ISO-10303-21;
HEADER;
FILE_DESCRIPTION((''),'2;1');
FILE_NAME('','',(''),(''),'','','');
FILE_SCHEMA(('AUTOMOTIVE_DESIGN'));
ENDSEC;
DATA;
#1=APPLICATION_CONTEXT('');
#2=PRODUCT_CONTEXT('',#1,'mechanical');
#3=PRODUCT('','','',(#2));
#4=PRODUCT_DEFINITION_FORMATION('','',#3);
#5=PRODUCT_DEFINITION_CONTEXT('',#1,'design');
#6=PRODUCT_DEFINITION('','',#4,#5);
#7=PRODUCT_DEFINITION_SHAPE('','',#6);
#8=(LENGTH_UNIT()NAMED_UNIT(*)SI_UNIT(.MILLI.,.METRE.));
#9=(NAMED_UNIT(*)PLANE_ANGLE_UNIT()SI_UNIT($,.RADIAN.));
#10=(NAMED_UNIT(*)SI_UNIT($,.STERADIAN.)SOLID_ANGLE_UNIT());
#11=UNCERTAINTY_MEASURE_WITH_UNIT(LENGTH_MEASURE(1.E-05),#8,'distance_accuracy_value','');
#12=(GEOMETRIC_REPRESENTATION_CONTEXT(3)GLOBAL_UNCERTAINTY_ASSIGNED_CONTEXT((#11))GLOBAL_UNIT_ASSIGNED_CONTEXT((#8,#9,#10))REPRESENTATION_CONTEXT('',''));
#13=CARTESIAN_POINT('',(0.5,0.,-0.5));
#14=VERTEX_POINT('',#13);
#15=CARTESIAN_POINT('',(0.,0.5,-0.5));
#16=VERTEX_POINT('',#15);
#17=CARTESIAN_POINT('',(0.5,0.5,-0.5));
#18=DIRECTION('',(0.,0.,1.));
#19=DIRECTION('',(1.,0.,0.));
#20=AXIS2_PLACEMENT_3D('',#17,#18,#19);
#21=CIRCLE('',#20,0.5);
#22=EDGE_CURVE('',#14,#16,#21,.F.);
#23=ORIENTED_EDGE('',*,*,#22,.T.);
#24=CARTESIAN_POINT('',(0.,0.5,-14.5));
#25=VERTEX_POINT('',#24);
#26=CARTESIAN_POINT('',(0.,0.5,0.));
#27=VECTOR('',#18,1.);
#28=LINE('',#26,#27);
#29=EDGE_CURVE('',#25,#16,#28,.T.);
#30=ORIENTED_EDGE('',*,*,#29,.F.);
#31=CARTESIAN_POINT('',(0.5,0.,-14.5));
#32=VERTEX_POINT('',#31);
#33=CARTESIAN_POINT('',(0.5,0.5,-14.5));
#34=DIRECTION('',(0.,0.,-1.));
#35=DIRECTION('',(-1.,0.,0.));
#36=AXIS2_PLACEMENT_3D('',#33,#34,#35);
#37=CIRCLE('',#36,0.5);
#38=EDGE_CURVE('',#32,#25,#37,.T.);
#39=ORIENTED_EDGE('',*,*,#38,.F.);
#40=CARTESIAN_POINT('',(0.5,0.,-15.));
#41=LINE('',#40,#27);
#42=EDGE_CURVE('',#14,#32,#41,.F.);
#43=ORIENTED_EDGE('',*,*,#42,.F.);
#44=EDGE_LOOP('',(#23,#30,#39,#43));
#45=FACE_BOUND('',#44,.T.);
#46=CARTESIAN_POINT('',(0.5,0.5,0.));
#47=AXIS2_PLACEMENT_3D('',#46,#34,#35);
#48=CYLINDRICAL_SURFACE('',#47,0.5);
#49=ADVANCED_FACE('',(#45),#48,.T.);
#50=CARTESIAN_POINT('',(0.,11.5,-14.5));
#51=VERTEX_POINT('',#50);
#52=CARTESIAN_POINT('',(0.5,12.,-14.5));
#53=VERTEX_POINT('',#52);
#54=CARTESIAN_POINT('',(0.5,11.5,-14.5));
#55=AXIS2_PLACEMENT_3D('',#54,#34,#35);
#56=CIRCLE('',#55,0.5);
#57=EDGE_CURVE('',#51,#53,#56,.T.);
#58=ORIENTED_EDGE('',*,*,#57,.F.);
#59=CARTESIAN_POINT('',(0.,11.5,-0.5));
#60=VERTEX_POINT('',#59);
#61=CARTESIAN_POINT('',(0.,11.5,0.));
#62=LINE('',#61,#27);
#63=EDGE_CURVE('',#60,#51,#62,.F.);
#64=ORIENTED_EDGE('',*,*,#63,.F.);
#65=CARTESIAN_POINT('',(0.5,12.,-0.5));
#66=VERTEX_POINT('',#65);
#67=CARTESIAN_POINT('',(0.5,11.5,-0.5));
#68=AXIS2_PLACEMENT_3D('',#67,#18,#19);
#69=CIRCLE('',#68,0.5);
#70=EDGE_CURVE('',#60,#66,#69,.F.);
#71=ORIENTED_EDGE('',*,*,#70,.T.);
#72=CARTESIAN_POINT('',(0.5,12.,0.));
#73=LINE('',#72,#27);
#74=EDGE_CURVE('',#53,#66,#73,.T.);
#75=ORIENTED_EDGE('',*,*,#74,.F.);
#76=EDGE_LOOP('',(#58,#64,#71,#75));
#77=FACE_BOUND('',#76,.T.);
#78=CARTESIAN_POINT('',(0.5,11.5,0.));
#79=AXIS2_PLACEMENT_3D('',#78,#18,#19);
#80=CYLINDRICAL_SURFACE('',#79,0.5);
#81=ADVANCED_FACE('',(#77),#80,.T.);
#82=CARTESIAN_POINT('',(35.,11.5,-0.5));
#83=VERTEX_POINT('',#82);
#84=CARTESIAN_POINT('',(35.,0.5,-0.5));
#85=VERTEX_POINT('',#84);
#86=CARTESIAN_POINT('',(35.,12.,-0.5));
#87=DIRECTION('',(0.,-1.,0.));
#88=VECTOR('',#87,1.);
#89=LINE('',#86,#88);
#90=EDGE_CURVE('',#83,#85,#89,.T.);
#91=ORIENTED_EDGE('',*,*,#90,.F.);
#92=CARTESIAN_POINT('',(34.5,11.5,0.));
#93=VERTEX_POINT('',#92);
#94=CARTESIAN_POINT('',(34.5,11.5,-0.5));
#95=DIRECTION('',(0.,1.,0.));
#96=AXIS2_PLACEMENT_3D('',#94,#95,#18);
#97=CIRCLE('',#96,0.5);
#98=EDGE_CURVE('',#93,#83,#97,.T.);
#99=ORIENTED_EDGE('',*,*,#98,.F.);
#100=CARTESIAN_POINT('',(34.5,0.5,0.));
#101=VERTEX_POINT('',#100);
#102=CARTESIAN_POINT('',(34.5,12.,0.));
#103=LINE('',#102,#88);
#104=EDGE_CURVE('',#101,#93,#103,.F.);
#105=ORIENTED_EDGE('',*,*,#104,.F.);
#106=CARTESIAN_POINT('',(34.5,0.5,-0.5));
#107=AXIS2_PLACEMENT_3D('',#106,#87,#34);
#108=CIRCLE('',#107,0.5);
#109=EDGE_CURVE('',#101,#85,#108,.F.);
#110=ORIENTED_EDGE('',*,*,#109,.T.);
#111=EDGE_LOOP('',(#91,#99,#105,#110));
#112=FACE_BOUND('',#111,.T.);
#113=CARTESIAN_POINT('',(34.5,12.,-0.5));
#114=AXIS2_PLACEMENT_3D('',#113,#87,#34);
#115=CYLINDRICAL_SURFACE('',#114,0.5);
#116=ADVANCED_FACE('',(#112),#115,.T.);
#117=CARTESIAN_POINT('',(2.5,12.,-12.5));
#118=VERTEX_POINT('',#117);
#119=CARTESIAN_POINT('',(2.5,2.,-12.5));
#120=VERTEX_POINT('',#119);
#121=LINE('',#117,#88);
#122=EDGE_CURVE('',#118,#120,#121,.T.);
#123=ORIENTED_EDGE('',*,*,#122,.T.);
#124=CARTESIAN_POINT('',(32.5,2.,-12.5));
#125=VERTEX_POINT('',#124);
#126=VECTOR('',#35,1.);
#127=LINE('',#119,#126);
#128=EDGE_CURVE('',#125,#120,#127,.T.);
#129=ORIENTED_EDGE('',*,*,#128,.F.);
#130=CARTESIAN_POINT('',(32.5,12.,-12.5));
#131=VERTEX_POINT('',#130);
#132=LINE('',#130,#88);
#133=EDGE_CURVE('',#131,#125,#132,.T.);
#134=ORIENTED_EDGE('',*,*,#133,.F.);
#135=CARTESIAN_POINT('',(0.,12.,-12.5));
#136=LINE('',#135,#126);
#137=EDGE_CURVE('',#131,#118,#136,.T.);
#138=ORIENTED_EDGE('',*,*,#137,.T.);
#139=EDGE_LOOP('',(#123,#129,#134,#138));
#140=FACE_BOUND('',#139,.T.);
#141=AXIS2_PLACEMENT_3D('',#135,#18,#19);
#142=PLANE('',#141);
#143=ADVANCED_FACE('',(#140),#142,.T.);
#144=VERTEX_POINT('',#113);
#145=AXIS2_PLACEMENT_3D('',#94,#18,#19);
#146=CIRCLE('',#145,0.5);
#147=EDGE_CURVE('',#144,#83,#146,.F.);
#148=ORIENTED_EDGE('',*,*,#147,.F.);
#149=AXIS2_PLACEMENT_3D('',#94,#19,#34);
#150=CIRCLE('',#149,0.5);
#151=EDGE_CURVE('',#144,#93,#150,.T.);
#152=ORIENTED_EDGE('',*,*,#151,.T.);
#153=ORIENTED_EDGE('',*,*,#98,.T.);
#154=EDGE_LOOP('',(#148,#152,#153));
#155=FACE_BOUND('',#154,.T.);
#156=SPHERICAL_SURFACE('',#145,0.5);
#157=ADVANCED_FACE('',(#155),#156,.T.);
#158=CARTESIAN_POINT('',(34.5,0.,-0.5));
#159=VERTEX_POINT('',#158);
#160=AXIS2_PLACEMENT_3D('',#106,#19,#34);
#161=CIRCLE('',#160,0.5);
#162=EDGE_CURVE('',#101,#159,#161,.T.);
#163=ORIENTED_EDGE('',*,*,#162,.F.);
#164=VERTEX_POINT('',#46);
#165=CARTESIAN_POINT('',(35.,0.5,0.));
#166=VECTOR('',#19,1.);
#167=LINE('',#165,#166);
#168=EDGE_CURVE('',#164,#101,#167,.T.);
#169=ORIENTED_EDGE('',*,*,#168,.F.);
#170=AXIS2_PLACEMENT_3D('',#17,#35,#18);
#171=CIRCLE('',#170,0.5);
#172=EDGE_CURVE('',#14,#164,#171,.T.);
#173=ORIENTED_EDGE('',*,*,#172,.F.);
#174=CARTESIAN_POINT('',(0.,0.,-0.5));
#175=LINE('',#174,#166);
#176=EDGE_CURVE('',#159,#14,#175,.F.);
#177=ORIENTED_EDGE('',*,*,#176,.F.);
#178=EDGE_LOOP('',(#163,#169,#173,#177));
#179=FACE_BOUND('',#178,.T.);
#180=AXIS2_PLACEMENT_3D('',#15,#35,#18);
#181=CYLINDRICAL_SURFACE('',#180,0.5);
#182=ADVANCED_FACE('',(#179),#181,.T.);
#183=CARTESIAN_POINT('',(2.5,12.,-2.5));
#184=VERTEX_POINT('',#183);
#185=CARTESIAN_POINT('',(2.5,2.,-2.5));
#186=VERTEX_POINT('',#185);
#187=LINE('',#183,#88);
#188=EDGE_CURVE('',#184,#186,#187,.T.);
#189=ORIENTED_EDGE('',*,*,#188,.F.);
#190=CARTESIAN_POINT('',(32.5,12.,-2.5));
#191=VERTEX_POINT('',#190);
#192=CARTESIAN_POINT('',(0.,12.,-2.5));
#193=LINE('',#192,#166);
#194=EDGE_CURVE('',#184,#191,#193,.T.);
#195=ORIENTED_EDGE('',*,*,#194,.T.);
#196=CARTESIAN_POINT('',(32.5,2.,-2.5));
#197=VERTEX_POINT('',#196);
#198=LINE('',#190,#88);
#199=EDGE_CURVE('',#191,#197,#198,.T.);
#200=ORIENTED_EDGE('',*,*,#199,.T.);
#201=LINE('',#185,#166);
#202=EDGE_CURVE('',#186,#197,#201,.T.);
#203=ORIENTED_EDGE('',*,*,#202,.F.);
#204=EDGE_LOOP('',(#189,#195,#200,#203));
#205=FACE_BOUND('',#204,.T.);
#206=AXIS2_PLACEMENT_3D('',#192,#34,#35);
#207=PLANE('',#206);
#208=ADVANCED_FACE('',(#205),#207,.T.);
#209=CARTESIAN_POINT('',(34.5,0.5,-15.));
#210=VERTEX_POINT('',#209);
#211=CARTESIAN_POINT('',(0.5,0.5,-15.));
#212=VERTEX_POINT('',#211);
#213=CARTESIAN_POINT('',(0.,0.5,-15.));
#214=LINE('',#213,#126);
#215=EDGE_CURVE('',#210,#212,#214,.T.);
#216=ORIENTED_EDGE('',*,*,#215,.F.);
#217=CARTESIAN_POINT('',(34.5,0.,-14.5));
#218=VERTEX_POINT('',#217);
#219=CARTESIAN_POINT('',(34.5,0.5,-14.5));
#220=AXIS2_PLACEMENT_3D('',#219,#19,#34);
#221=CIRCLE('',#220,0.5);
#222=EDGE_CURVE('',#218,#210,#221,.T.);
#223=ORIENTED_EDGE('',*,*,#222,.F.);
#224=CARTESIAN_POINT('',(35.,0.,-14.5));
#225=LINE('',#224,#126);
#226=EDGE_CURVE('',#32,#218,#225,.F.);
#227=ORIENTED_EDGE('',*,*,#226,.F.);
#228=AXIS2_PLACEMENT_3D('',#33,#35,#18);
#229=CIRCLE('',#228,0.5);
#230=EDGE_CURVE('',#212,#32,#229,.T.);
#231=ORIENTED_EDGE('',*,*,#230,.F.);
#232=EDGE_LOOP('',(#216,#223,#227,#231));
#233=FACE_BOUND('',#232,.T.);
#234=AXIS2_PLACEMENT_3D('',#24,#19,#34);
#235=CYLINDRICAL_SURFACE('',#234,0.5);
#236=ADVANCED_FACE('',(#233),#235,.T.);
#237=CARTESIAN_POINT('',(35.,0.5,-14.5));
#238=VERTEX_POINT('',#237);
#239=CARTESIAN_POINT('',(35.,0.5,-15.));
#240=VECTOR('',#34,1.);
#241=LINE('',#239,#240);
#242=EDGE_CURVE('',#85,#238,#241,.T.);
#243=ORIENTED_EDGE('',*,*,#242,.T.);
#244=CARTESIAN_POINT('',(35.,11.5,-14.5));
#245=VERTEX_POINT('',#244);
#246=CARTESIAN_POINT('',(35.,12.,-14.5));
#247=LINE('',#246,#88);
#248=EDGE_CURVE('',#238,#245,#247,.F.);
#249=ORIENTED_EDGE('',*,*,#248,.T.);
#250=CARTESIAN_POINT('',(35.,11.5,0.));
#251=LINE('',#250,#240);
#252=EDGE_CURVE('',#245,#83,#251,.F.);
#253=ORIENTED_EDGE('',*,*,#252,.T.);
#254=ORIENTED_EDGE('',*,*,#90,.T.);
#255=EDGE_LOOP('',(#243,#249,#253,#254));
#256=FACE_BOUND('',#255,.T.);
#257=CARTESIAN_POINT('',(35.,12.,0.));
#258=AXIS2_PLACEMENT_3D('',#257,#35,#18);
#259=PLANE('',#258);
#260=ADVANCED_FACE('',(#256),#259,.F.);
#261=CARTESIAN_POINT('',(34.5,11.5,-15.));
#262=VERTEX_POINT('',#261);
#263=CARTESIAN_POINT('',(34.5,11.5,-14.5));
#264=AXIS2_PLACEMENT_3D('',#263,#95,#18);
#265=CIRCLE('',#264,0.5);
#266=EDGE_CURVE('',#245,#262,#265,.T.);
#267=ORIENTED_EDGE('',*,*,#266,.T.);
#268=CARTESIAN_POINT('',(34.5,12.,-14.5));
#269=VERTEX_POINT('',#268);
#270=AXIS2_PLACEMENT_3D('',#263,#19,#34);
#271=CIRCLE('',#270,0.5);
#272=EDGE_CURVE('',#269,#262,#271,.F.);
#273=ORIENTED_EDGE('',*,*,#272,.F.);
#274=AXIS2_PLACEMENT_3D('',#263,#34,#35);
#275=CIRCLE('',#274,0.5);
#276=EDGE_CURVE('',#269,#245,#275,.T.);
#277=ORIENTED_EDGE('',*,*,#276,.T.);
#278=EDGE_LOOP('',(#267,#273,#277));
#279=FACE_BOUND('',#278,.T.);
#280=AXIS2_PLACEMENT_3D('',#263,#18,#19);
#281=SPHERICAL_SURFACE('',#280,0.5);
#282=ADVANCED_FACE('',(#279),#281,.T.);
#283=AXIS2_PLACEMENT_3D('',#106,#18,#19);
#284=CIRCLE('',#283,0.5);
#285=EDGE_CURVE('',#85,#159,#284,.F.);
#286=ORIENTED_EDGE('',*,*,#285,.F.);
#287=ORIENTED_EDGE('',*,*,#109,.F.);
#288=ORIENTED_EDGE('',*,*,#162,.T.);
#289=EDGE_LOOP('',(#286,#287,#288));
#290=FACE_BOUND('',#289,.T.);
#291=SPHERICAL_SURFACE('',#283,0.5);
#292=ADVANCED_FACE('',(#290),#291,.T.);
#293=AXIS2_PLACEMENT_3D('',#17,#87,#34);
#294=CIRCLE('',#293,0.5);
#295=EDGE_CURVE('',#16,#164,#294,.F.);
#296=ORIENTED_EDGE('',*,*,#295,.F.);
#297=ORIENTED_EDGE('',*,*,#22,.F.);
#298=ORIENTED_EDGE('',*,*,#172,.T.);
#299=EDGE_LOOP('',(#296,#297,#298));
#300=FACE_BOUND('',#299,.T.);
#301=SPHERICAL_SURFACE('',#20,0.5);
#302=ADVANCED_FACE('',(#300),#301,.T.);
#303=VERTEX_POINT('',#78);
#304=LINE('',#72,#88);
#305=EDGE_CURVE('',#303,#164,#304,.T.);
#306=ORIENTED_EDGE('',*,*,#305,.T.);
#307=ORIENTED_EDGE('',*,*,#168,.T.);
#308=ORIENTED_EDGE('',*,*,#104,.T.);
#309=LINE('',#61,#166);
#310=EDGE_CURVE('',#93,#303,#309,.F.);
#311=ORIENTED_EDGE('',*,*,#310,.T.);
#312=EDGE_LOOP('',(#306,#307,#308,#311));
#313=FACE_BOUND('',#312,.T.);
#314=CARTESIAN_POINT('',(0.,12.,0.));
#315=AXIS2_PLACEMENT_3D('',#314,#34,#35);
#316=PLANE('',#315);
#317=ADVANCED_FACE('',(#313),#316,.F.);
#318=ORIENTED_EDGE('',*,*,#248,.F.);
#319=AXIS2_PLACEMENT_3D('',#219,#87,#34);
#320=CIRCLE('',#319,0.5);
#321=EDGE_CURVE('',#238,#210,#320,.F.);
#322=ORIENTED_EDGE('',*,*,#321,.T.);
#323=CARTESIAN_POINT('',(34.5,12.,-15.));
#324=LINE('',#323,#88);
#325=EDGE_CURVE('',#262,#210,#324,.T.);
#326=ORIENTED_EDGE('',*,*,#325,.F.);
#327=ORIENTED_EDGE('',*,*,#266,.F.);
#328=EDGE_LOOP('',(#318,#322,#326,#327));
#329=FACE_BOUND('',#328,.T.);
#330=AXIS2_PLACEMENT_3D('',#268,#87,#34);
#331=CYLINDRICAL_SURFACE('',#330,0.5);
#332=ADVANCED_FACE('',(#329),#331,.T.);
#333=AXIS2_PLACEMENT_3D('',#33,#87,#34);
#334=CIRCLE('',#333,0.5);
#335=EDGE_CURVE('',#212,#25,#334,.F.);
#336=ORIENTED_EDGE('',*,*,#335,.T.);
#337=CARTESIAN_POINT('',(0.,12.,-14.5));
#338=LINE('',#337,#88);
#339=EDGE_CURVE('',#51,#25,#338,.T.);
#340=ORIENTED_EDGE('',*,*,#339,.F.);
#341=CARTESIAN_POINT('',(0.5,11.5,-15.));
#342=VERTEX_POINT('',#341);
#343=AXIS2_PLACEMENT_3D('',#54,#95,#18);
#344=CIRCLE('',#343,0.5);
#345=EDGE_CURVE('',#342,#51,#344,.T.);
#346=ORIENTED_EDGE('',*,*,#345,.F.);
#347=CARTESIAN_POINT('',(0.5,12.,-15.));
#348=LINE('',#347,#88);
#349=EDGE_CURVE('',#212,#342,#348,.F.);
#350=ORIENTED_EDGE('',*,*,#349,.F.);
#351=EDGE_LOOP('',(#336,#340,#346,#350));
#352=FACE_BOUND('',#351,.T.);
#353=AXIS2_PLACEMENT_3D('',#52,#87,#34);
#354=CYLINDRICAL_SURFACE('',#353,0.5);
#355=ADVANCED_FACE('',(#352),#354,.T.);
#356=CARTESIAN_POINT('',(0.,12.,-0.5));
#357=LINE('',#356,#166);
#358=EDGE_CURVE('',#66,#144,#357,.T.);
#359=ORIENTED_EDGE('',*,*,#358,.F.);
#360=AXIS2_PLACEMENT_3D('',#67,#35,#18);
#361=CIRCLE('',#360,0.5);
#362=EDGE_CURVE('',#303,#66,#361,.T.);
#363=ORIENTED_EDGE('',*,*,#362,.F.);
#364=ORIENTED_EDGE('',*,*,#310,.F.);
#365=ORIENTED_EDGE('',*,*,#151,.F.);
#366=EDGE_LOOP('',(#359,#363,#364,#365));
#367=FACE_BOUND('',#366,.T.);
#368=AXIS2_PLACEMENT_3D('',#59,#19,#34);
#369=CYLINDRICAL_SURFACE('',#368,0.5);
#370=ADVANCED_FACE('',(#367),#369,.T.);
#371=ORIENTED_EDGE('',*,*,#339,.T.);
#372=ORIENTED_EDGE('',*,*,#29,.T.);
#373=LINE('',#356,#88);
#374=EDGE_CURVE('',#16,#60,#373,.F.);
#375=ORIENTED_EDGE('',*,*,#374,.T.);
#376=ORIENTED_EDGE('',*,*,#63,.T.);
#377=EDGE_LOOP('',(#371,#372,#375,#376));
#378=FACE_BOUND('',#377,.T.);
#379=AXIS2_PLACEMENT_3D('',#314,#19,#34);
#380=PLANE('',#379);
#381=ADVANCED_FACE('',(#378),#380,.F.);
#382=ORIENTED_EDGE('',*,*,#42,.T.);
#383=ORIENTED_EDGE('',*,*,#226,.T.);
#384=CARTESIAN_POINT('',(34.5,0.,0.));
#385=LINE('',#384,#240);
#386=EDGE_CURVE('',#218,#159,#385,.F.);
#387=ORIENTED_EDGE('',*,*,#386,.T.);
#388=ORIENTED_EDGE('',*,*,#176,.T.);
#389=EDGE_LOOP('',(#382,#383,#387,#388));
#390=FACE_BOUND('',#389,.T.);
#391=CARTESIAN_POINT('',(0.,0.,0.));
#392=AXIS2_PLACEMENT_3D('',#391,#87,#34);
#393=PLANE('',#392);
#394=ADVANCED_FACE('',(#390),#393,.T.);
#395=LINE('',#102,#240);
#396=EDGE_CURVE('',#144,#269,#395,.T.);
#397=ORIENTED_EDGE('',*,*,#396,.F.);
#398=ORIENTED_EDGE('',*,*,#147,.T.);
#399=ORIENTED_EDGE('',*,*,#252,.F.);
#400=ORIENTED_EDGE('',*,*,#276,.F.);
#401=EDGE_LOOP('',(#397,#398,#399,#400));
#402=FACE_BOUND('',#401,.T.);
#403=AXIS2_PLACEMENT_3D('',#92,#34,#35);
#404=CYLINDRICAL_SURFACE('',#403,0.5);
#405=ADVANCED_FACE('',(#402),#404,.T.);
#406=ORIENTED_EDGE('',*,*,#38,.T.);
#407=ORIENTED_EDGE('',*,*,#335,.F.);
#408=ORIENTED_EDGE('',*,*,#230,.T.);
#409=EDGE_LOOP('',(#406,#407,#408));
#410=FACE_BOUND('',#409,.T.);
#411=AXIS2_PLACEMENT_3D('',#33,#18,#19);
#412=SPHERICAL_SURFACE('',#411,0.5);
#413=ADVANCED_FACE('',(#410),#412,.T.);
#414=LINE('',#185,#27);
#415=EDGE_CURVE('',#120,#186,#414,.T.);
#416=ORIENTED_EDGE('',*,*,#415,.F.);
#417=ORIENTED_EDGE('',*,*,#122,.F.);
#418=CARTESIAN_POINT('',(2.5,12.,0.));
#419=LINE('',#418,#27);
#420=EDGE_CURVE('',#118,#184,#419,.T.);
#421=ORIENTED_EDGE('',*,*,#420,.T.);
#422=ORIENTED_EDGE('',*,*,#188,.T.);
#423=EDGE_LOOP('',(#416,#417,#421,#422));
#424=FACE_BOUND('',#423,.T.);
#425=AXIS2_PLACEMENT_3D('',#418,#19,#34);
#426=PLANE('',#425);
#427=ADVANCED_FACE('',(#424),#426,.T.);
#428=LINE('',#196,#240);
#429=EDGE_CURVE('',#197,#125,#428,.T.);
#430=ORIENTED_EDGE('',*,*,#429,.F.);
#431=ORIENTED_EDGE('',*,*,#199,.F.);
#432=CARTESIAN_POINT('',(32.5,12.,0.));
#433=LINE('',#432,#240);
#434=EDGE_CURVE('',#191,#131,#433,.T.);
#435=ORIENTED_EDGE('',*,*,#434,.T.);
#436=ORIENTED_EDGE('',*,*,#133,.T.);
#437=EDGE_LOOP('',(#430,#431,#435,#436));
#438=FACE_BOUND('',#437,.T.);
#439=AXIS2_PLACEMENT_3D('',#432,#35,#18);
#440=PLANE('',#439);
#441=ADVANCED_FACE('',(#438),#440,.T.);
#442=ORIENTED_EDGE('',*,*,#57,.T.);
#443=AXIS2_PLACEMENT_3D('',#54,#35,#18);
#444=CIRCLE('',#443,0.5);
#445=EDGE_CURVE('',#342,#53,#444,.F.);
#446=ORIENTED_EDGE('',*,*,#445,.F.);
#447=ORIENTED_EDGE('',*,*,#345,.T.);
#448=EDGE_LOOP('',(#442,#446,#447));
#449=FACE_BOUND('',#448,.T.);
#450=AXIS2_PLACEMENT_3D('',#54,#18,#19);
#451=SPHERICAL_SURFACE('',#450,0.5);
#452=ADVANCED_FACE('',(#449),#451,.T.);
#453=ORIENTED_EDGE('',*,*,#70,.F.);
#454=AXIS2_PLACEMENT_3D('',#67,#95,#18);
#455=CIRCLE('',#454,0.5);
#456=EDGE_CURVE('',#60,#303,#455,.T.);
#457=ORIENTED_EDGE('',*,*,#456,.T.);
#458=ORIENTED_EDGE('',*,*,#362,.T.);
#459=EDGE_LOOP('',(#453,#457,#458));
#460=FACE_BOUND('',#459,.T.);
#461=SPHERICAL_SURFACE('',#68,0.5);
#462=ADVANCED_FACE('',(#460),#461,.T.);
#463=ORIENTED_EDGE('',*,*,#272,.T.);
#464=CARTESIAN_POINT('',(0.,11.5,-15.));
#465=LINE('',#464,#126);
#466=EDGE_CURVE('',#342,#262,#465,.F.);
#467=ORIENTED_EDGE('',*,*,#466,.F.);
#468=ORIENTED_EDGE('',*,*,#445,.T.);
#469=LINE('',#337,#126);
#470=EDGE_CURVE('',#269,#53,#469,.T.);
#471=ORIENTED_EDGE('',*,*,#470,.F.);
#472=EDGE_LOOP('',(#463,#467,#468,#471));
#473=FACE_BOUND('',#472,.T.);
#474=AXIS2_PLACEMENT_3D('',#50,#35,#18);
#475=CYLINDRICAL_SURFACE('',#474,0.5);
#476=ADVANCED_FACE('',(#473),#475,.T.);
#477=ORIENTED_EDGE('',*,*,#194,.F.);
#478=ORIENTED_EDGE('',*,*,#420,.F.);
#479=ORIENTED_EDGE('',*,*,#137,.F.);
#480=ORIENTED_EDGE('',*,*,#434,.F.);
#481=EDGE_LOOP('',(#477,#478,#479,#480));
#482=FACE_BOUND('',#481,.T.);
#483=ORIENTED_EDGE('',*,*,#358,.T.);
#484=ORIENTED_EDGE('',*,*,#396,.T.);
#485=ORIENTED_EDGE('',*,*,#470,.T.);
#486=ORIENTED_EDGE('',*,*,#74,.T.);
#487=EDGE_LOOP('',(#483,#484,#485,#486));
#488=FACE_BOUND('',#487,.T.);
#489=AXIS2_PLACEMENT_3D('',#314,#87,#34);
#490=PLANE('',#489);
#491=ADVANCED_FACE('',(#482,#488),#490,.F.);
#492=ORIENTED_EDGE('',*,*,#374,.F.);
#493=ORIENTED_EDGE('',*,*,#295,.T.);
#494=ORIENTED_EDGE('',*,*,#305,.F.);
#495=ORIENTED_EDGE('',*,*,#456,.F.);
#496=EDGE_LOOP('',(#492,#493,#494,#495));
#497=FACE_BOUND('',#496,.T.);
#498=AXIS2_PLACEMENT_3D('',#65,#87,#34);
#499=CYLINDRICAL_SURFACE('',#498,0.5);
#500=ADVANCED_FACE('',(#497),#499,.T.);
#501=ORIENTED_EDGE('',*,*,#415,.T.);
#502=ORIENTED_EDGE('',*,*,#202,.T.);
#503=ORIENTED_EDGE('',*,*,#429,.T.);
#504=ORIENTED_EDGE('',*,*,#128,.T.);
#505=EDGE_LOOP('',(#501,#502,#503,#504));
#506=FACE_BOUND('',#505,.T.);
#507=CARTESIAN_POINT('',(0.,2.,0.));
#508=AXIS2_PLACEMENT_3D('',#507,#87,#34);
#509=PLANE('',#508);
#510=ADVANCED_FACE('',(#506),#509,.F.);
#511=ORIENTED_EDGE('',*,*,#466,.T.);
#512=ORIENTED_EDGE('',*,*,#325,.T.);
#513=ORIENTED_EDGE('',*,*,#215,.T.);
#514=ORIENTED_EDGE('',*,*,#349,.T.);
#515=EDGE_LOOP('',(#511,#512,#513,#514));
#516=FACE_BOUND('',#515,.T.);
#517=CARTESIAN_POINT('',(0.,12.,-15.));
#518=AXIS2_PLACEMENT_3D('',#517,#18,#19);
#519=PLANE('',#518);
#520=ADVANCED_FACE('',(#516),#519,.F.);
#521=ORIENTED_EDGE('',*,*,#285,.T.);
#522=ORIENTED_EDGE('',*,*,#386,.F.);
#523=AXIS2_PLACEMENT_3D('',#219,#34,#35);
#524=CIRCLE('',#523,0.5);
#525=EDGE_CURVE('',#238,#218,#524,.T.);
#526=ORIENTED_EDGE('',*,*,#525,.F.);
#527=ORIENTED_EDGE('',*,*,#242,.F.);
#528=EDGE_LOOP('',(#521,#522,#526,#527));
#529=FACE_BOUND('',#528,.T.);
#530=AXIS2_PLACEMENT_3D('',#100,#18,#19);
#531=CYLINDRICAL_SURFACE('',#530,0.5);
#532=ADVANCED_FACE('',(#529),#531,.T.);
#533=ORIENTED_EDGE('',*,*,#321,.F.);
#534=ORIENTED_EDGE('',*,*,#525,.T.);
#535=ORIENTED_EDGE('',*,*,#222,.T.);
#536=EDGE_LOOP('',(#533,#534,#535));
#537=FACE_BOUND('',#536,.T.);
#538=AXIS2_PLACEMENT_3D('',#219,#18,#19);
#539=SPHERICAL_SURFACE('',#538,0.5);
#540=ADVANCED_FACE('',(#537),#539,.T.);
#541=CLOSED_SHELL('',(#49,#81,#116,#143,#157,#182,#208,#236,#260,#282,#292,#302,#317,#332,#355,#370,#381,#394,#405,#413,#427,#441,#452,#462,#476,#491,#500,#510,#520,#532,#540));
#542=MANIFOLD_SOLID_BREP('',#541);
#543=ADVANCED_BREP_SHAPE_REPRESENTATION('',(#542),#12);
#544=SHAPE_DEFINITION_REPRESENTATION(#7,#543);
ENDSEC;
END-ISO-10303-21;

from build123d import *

# Parameters (mm, degrees)
SKETCH1_W           = 35
SKETCH1_H           = 15
BOSS_EXTRUDE1_DEPTH = 12
SHELL1_T            = -2.5
FILLET1_R           = 0.5
SKETCH3_W           = 30
SKETCH3_H           = 10
CUT_EXTRUDE1_DEPTH  = 0.5


with BuildPart() as part:
    # Sketch1 → Boss-Extrude1 (new body)
    with BuildSketch(Plane(origin=(0, 0, 0), x_dir=(1, 0, 0), z_dir=(0, 1, 0))):
        with Locations((17.5, 7.5)):
            Rectangle(SKETCH1_W, SKETCH1_H)
    extrude(amount=BOSS_EXTRUDE1_DEPTH)

    # Shell1
    shell1_openings = [part.faces().sort_by_distance(p)[0] for p in [
        (17.5, 12, -7.5),
    ]]
    offset(amount=SHELL1_T, openings=shell1_openings, kind=Kind.INTERSECTION)

    # Fillet1
    fillet1_edges = [part.edges().sort_by_distance(p)[0] for p in [
        (35, 12, -7.5),
        (17.5, 12, -15),
        (0, 12, -7.5),
        (17.5, 0, -15),
        (35, 0, -7.5),
        (17.5, 0, 0),
        (0, 0, -7.5),
        (17.5, 12, 0),
        (0, 6, -15),
        (35, 6, -15),
        (35, 6, 0),
        (0, 6, 0),
    ]]
    fillet(fillet1_edges, radius=FILLET1_R)

    # Sketch3 → Cut-Extrude1 (cut)
    with BuildSketch(Plane(origin=(0, 2.5, 0), x_dir=(1, 0, 0), z_dir=(0, 1, 0))):
        with Locations((17.5, 7.5)):
            Rectangle(SKETCH3_W, SKETCH3_H)
    extrude(amount=-CUT_EXTRUDE1_DEPTH, mode=Mode.SUBTRACT)


solid = part.part
